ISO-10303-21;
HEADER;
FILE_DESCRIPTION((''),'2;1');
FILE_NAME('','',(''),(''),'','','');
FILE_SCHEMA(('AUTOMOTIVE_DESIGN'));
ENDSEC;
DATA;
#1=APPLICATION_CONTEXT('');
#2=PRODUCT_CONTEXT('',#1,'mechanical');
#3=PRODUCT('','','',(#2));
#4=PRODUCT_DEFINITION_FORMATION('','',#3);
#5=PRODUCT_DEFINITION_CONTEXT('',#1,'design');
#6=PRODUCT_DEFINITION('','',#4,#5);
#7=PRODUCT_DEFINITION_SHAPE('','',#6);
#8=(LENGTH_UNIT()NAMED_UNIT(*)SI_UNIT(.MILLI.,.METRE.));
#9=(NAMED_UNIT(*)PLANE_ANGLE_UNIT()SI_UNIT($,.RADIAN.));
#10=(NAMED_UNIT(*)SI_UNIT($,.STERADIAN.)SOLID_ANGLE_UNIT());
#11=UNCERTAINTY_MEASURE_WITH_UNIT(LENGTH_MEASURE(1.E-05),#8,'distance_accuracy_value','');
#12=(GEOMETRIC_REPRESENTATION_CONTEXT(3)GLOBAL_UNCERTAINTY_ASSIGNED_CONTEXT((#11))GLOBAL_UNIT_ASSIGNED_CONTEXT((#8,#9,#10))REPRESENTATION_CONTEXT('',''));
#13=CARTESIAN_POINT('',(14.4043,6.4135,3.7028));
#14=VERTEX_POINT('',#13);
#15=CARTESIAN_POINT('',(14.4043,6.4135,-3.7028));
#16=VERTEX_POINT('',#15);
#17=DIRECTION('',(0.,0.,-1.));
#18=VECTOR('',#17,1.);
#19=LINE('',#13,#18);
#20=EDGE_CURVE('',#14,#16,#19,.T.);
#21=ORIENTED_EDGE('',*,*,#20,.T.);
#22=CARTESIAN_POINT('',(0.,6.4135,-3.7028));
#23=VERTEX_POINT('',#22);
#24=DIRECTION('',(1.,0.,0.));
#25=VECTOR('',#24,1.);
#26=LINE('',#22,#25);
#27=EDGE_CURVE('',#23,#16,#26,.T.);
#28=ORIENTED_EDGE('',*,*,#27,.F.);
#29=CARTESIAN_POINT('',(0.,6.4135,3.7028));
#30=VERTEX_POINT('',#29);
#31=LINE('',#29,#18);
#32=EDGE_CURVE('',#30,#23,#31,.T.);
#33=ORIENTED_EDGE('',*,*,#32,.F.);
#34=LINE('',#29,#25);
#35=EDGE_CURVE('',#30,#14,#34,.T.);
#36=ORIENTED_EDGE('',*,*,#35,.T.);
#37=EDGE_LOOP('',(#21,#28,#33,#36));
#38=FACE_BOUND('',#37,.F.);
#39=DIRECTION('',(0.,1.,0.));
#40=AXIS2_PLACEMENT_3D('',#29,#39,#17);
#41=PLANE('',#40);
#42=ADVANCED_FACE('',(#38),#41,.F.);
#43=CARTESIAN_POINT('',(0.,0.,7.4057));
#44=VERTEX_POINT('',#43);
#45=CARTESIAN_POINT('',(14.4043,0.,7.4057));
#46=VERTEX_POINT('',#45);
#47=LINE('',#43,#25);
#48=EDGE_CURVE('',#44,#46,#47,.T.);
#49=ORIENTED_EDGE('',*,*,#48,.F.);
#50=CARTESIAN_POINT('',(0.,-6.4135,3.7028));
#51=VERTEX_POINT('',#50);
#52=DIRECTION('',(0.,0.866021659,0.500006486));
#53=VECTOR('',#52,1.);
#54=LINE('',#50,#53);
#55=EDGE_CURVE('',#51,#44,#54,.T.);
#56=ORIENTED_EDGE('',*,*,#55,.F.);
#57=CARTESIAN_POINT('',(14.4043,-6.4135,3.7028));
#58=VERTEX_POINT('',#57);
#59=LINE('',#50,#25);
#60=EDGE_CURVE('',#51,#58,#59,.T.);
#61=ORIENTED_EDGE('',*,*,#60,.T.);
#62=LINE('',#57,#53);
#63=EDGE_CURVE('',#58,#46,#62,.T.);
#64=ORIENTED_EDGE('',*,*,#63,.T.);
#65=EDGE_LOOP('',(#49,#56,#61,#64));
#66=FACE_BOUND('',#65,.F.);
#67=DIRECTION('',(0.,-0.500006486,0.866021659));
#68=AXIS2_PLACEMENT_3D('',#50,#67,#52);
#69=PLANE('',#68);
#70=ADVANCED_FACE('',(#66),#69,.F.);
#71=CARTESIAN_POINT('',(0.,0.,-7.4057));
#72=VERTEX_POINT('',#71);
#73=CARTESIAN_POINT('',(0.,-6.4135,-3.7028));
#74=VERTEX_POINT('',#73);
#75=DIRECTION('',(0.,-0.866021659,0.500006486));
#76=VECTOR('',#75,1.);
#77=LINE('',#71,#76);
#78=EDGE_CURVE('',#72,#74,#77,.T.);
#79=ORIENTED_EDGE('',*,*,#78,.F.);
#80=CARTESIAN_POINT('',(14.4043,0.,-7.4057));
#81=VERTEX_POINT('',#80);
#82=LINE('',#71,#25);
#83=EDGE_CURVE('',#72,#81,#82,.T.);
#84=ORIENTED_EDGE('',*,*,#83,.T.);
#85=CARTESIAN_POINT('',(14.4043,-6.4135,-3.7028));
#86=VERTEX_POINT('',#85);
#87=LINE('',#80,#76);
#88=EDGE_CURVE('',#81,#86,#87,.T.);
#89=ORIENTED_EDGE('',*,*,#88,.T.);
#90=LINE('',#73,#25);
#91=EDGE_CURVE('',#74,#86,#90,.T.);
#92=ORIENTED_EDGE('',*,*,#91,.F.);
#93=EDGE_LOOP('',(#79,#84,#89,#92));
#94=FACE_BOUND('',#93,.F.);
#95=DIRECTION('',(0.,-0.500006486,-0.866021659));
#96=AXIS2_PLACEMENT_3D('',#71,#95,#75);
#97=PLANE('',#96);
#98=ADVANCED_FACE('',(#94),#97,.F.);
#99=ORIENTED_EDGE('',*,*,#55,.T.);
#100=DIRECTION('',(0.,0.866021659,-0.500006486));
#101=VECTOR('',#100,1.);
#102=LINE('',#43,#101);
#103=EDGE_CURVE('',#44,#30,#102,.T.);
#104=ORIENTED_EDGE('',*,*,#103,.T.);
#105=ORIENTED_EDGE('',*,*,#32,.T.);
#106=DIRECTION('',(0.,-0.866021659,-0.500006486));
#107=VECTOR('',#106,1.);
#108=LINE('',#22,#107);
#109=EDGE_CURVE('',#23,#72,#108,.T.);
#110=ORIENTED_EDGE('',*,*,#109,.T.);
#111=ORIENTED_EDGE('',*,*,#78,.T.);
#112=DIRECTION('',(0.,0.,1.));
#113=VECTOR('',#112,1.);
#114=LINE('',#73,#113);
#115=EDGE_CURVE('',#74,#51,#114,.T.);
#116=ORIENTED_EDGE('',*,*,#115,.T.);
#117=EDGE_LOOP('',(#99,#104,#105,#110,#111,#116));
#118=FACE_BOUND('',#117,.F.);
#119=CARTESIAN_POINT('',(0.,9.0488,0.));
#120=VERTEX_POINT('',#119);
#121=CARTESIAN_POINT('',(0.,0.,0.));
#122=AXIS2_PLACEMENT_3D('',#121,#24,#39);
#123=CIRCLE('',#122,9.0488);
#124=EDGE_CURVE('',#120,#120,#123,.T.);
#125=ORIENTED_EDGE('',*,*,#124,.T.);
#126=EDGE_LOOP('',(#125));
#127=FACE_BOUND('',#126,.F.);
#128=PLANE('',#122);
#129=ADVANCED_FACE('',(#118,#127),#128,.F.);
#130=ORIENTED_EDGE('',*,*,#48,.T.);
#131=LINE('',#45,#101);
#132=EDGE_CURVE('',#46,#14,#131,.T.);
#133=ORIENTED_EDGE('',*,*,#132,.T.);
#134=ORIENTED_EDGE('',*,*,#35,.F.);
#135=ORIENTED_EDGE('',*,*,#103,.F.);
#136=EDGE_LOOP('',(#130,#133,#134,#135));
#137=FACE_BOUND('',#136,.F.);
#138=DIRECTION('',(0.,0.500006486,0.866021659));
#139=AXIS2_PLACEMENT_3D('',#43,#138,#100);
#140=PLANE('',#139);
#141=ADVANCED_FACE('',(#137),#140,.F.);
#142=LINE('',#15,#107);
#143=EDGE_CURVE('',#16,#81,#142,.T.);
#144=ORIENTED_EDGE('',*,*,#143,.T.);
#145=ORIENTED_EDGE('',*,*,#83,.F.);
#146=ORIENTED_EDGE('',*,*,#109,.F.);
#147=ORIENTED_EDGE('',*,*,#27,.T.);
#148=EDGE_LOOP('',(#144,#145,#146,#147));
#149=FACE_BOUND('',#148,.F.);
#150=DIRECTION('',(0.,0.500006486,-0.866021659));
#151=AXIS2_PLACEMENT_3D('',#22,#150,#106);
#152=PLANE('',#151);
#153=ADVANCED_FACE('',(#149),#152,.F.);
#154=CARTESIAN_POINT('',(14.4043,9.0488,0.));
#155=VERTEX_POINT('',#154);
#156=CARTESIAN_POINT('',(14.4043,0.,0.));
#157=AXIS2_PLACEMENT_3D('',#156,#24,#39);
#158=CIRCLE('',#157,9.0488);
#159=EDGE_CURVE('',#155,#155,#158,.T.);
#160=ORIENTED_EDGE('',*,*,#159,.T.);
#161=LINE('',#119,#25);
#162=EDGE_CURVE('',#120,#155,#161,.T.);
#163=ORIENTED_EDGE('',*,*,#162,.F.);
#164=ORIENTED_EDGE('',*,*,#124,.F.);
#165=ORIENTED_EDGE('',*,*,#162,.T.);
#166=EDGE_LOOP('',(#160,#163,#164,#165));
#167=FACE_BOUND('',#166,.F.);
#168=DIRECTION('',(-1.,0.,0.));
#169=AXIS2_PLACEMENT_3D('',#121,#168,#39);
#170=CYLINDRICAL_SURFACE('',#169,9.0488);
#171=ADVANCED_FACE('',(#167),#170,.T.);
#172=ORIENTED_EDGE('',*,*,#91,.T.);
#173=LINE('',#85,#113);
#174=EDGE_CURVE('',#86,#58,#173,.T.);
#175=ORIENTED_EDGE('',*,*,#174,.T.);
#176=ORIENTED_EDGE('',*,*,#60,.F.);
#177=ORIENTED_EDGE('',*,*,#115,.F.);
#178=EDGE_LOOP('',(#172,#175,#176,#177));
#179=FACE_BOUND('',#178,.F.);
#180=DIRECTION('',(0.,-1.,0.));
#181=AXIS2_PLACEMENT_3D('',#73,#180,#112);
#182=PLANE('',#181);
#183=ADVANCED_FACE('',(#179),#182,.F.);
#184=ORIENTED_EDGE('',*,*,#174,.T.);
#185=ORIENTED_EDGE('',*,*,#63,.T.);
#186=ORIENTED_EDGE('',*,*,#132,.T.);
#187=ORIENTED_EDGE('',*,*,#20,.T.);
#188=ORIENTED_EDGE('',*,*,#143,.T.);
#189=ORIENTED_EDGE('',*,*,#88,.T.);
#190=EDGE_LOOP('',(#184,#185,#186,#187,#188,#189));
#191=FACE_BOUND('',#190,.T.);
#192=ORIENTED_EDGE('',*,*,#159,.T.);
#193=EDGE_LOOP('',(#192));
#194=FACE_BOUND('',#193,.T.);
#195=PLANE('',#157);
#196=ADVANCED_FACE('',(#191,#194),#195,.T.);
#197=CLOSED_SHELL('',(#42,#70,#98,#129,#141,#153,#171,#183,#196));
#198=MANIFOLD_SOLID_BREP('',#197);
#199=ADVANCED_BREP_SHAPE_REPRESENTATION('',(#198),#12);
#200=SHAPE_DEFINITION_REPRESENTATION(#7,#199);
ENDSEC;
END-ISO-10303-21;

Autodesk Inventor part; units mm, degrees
ref_plane "YZ Plane" through (0, 0, 0) normal (1, 0, 0) x (0, 1, 0)
ref_plane "XZ Plane" through (0, 0, 0) normal (0, 1, 0) x (-1, 0, 0)
ref_plane "XY Plane" through (0, 0, 0) normal (0, 0, 1) x (1, 0, 0)
sketch "Sketch1" plane through (0, 0, 0) normal (1, 0, 0) x (0, 1, 0)
  line L0 (-6.4135, -3.7028) -> (-6.4135, 3.7028)
  line L1 (-6.4135, 3.7028) -> (0, 7.4057)
  line L2 (0, 7.4057) -> (6.4135, 3.7028)
  line L3 (6.4135, 3.7028) -> (6.4135, -3.7028)
  line L4 (6.4135, -3.7028) -> (0, -7.4057)
  line L5 (0, -7.4057) -> (-6.4135, -3.7028)
  circle A0 centre (0, 0) radius 9.0488
  dimension "d0" = 12.827
  dimension "d1" = 18.0975
extrude "Extrusion1" add sketch "Sketch1" along normal blind 14.4043
properties part number "3DPRINT,REVERSERGEAR,SPACER" material "ABS Plastic"
